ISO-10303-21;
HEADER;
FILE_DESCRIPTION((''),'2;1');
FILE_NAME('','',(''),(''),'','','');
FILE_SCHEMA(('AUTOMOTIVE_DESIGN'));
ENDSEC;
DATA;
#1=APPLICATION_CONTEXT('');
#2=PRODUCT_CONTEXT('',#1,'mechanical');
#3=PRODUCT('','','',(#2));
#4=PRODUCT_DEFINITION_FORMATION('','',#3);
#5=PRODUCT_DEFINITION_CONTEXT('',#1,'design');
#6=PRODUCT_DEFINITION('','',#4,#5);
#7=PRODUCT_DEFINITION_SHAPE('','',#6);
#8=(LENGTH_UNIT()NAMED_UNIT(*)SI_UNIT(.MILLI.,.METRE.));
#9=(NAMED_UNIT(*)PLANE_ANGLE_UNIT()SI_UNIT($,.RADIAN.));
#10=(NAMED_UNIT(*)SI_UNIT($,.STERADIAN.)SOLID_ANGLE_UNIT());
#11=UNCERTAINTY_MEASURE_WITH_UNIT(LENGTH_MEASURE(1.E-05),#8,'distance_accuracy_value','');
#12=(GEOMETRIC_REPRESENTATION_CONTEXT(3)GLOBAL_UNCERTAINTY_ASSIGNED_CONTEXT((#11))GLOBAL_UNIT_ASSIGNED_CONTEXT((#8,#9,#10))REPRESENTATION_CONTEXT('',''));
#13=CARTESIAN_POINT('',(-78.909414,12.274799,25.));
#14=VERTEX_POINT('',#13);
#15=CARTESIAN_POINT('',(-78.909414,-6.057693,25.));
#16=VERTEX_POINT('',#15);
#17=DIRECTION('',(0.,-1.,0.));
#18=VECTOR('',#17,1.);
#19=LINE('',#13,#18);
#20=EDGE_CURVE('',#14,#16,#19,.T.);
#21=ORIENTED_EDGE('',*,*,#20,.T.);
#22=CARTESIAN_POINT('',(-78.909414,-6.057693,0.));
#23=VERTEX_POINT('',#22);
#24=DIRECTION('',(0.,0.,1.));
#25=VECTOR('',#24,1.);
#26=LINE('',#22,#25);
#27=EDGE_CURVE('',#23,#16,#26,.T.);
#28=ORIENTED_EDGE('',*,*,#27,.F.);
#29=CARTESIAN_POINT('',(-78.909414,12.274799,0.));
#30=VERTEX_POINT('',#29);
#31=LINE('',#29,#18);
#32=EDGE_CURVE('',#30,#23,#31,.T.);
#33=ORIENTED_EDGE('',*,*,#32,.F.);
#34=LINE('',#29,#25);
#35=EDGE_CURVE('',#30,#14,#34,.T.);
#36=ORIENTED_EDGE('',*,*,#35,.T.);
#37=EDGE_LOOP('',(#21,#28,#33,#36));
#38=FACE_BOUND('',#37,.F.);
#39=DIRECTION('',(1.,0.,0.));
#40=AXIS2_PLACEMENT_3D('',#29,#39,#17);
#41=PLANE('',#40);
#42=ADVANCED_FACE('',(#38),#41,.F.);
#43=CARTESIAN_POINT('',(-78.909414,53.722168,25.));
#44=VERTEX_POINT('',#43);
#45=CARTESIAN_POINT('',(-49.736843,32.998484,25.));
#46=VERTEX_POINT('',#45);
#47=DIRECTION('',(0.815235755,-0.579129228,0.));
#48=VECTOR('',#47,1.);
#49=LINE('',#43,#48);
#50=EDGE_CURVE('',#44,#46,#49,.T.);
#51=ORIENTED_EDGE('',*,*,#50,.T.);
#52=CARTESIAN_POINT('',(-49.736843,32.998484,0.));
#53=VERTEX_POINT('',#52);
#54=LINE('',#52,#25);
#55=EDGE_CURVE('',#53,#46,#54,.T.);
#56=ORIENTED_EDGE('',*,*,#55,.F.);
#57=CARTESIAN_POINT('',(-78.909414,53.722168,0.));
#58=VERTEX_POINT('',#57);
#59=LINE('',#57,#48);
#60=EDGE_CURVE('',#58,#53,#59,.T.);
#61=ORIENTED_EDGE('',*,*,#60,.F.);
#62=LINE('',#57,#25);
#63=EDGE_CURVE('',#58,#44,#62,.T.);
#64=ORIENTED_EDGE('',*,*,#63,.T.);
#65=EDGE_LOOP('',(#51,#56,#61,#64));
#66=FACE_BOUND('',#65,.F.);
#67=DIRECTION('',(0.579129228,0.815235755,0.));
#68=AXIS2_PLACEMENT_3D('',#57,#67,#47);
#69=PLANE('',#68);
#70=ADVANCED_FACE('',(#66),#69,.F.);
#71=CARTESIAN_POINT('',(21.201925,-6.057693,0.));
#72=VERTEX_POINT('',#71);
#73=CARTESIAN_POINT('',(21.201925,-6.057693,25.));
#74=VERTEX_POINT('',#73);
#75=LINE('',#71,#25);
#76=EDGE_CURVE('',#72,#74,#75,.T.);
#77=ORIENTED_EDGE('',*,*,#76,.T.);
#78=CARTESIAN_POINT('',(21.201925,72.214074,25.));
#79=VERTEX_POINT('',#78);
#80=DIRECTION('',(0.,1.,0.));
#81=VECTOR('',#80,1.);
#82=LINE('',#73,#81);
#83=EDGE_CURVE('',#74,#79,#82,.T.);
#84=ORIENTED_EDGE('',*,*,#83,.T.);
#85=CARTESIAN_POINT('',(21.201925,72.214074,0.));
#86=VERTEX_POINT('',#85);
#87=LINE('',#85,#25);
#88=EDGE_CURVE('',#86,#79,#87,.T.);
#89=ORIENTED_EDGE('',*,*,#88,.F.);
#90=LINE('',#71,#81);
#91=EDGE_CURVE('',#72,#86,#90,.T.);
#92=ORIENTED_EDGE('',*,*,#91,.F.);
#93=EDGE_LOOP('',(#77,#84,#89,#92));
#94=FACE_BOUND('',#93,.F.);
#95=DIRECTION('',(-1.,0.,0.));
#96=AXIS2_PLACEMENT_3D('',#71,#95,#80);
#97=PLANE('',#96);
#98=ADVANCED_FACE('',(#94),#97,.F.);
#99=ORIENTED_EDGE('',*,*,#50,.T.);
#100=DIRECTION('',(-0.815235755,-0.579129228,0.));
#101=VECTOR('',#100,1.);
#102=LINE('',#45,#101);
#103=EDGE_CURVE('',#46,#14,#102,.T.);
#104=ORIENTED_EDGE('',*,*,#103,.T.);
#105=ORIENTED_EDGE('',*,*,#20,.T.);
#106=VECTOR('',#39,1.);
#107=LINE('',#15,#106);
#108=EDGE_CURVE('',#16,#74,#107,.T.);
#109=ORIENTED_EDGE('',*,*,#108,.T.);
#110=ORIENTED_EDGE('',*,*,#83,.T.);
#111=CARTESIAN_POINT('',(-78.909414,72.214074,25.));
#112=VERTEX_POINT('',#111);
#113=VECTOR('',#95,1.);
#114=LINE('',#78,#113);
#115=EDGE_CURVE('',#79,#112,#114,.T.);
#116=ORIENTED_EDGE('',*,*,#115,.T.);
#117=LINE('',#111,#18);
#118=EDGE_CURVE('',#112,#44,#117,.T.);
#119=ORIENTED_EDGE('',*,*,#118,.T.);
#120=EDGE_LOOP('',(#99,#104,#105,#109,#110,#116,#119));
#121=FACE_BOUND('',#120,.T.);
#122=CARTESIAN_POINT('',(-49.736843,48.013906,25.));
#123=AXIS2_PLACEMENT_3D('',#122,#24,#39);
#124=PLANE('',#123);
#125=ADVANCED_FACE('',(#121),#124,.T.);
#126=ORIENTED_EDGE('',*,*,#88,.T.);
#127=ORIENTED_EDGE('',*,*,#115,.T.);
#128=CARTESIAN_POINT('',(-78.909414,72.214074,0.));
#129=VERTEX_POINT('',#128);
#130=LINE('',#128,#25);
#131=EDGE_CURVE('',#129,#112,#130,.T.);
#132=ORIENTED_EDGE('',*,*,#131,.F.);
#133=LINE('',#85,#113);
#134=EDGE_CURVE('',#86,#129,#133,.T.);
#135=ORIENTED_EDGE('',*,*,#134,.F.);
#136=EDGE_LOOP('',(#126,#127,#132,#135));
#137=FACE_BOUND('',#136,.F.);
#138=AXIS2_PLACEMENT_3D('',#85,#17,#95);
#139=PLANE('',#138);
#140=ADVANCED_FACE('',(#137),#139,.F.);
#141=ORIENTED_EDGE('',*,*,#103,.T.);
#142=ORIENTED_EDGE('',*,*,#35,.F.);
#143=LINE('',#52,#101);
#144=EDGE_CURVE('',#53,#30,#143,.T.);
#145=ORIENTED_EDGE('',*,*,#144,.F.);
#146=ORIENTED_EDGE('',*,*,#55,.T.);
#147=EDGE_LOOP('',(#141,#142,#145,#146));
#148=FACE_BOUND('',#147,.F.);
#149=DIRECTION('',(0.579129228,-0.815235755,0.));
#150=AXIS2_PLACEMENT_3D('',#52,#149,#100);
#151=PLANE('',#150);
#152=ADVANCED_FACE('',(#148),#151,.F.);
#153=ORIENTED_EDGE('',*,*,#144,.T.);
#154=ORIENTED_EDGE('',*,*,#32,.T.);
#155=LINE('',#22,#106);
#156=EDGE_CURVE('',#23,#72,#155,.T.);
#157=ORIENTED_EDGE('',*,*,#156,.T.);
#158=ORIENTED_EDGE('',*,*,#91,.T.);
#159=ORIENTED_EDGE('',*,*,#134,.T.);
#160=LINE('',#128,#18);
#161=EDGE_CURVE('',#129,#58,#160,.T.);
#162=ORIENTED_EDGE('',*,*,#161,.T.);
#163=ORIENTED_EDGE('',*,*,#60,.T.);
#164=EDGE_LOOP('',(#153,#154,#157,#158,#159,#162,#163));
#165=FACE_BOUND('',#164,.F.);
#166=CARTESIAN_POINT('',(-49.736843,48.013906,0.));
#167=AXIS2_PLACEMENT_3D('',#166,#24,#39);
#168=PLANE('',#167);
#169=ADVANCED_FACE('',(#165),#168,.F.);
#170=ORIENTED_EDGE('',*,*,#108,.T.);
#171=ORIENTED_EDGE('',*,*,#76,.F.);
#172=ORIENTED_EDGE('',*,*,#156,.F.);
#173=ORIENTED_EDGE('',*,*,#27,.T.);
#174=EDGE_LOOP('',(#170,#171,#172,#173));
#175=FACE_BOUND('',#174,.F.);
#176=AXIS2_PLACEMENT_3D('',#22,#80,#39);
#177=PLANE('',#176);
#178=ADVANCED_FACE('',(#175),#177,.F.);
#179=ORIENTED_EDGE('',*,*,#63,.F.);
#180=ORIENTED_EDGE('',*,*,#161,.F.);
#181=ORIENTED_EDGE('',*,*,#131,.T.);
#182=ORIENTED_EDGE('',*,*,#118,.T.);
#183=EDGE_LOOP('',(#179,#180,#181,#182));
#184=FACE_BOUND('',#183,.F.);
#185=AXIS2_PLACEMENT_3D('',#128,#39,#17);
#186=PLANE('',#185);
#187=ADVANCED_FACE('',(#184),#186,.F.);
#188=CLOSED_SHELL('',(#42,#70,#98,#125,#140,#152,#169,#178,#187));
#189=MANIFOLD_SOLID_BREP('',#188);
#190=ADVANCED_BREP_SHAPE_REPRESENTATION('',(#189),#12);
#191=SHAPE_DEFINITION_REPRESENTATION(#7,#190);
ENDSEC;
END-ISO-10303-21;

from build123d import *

# Parameters (mm, degrees)
F0_W     = 23.5931184143
F0_H     = 41.4473693818
F1_DEPTH = 25
F2_DEPTH = 25


with BuildPart() as f1:
    # F0 (on Top) → F1 (new body)
    with BuildSketch(Plane.XY):
        Polygon((-2.3911930621, 12.2747989371), (-20.5642711371, 12.2747989371), (-78.9094138891, 12.2747989371), (-78.9094138891, -6.0576931573), (21.2019253522, -6.0576931573), (21.2019253522, 12.2747989371), align=None)
        with Locations((9.4053661451, 32.998483628)):
            Rectangle(F0_W, F0_H)
        Polygon((-78.9094138891, 53.7221683189), (-20.5642711371, 53.7221683189), (-2.3911930621, 53.7221683189), (21.2019253522, 53.7221683189), (21.2019253522, 72.2140744328), (-78.9094138891, 72.2140744328), align=None)
        Polygon((-78.9094138891, 12.2747989371), (-20.5642711371, 12.2747989371), (-49.7368425131, 32.998483628), align=None)
    extrude(amount=F1_DEPTH)

    # F0 (on Top) → F2 (join)
    with BuildSketch(Plane.XY):
        Polygon((-78.9094138891, 53.7221683189), (-49.7368425131, 32.998483628), (-20.5642711371, 53.7221683189), align=None)
        Polygon((-49.7368425131, 32.998483628), (-20.5642711371, 12.2747989371), (-2.3911930621, 12.2747989371), (-2.3911930621, 53.7221683189), (-20.5642711371, 53.7221683189), align=None)
    extrude(amount=F2_DEPTH)


solid = f1.part
